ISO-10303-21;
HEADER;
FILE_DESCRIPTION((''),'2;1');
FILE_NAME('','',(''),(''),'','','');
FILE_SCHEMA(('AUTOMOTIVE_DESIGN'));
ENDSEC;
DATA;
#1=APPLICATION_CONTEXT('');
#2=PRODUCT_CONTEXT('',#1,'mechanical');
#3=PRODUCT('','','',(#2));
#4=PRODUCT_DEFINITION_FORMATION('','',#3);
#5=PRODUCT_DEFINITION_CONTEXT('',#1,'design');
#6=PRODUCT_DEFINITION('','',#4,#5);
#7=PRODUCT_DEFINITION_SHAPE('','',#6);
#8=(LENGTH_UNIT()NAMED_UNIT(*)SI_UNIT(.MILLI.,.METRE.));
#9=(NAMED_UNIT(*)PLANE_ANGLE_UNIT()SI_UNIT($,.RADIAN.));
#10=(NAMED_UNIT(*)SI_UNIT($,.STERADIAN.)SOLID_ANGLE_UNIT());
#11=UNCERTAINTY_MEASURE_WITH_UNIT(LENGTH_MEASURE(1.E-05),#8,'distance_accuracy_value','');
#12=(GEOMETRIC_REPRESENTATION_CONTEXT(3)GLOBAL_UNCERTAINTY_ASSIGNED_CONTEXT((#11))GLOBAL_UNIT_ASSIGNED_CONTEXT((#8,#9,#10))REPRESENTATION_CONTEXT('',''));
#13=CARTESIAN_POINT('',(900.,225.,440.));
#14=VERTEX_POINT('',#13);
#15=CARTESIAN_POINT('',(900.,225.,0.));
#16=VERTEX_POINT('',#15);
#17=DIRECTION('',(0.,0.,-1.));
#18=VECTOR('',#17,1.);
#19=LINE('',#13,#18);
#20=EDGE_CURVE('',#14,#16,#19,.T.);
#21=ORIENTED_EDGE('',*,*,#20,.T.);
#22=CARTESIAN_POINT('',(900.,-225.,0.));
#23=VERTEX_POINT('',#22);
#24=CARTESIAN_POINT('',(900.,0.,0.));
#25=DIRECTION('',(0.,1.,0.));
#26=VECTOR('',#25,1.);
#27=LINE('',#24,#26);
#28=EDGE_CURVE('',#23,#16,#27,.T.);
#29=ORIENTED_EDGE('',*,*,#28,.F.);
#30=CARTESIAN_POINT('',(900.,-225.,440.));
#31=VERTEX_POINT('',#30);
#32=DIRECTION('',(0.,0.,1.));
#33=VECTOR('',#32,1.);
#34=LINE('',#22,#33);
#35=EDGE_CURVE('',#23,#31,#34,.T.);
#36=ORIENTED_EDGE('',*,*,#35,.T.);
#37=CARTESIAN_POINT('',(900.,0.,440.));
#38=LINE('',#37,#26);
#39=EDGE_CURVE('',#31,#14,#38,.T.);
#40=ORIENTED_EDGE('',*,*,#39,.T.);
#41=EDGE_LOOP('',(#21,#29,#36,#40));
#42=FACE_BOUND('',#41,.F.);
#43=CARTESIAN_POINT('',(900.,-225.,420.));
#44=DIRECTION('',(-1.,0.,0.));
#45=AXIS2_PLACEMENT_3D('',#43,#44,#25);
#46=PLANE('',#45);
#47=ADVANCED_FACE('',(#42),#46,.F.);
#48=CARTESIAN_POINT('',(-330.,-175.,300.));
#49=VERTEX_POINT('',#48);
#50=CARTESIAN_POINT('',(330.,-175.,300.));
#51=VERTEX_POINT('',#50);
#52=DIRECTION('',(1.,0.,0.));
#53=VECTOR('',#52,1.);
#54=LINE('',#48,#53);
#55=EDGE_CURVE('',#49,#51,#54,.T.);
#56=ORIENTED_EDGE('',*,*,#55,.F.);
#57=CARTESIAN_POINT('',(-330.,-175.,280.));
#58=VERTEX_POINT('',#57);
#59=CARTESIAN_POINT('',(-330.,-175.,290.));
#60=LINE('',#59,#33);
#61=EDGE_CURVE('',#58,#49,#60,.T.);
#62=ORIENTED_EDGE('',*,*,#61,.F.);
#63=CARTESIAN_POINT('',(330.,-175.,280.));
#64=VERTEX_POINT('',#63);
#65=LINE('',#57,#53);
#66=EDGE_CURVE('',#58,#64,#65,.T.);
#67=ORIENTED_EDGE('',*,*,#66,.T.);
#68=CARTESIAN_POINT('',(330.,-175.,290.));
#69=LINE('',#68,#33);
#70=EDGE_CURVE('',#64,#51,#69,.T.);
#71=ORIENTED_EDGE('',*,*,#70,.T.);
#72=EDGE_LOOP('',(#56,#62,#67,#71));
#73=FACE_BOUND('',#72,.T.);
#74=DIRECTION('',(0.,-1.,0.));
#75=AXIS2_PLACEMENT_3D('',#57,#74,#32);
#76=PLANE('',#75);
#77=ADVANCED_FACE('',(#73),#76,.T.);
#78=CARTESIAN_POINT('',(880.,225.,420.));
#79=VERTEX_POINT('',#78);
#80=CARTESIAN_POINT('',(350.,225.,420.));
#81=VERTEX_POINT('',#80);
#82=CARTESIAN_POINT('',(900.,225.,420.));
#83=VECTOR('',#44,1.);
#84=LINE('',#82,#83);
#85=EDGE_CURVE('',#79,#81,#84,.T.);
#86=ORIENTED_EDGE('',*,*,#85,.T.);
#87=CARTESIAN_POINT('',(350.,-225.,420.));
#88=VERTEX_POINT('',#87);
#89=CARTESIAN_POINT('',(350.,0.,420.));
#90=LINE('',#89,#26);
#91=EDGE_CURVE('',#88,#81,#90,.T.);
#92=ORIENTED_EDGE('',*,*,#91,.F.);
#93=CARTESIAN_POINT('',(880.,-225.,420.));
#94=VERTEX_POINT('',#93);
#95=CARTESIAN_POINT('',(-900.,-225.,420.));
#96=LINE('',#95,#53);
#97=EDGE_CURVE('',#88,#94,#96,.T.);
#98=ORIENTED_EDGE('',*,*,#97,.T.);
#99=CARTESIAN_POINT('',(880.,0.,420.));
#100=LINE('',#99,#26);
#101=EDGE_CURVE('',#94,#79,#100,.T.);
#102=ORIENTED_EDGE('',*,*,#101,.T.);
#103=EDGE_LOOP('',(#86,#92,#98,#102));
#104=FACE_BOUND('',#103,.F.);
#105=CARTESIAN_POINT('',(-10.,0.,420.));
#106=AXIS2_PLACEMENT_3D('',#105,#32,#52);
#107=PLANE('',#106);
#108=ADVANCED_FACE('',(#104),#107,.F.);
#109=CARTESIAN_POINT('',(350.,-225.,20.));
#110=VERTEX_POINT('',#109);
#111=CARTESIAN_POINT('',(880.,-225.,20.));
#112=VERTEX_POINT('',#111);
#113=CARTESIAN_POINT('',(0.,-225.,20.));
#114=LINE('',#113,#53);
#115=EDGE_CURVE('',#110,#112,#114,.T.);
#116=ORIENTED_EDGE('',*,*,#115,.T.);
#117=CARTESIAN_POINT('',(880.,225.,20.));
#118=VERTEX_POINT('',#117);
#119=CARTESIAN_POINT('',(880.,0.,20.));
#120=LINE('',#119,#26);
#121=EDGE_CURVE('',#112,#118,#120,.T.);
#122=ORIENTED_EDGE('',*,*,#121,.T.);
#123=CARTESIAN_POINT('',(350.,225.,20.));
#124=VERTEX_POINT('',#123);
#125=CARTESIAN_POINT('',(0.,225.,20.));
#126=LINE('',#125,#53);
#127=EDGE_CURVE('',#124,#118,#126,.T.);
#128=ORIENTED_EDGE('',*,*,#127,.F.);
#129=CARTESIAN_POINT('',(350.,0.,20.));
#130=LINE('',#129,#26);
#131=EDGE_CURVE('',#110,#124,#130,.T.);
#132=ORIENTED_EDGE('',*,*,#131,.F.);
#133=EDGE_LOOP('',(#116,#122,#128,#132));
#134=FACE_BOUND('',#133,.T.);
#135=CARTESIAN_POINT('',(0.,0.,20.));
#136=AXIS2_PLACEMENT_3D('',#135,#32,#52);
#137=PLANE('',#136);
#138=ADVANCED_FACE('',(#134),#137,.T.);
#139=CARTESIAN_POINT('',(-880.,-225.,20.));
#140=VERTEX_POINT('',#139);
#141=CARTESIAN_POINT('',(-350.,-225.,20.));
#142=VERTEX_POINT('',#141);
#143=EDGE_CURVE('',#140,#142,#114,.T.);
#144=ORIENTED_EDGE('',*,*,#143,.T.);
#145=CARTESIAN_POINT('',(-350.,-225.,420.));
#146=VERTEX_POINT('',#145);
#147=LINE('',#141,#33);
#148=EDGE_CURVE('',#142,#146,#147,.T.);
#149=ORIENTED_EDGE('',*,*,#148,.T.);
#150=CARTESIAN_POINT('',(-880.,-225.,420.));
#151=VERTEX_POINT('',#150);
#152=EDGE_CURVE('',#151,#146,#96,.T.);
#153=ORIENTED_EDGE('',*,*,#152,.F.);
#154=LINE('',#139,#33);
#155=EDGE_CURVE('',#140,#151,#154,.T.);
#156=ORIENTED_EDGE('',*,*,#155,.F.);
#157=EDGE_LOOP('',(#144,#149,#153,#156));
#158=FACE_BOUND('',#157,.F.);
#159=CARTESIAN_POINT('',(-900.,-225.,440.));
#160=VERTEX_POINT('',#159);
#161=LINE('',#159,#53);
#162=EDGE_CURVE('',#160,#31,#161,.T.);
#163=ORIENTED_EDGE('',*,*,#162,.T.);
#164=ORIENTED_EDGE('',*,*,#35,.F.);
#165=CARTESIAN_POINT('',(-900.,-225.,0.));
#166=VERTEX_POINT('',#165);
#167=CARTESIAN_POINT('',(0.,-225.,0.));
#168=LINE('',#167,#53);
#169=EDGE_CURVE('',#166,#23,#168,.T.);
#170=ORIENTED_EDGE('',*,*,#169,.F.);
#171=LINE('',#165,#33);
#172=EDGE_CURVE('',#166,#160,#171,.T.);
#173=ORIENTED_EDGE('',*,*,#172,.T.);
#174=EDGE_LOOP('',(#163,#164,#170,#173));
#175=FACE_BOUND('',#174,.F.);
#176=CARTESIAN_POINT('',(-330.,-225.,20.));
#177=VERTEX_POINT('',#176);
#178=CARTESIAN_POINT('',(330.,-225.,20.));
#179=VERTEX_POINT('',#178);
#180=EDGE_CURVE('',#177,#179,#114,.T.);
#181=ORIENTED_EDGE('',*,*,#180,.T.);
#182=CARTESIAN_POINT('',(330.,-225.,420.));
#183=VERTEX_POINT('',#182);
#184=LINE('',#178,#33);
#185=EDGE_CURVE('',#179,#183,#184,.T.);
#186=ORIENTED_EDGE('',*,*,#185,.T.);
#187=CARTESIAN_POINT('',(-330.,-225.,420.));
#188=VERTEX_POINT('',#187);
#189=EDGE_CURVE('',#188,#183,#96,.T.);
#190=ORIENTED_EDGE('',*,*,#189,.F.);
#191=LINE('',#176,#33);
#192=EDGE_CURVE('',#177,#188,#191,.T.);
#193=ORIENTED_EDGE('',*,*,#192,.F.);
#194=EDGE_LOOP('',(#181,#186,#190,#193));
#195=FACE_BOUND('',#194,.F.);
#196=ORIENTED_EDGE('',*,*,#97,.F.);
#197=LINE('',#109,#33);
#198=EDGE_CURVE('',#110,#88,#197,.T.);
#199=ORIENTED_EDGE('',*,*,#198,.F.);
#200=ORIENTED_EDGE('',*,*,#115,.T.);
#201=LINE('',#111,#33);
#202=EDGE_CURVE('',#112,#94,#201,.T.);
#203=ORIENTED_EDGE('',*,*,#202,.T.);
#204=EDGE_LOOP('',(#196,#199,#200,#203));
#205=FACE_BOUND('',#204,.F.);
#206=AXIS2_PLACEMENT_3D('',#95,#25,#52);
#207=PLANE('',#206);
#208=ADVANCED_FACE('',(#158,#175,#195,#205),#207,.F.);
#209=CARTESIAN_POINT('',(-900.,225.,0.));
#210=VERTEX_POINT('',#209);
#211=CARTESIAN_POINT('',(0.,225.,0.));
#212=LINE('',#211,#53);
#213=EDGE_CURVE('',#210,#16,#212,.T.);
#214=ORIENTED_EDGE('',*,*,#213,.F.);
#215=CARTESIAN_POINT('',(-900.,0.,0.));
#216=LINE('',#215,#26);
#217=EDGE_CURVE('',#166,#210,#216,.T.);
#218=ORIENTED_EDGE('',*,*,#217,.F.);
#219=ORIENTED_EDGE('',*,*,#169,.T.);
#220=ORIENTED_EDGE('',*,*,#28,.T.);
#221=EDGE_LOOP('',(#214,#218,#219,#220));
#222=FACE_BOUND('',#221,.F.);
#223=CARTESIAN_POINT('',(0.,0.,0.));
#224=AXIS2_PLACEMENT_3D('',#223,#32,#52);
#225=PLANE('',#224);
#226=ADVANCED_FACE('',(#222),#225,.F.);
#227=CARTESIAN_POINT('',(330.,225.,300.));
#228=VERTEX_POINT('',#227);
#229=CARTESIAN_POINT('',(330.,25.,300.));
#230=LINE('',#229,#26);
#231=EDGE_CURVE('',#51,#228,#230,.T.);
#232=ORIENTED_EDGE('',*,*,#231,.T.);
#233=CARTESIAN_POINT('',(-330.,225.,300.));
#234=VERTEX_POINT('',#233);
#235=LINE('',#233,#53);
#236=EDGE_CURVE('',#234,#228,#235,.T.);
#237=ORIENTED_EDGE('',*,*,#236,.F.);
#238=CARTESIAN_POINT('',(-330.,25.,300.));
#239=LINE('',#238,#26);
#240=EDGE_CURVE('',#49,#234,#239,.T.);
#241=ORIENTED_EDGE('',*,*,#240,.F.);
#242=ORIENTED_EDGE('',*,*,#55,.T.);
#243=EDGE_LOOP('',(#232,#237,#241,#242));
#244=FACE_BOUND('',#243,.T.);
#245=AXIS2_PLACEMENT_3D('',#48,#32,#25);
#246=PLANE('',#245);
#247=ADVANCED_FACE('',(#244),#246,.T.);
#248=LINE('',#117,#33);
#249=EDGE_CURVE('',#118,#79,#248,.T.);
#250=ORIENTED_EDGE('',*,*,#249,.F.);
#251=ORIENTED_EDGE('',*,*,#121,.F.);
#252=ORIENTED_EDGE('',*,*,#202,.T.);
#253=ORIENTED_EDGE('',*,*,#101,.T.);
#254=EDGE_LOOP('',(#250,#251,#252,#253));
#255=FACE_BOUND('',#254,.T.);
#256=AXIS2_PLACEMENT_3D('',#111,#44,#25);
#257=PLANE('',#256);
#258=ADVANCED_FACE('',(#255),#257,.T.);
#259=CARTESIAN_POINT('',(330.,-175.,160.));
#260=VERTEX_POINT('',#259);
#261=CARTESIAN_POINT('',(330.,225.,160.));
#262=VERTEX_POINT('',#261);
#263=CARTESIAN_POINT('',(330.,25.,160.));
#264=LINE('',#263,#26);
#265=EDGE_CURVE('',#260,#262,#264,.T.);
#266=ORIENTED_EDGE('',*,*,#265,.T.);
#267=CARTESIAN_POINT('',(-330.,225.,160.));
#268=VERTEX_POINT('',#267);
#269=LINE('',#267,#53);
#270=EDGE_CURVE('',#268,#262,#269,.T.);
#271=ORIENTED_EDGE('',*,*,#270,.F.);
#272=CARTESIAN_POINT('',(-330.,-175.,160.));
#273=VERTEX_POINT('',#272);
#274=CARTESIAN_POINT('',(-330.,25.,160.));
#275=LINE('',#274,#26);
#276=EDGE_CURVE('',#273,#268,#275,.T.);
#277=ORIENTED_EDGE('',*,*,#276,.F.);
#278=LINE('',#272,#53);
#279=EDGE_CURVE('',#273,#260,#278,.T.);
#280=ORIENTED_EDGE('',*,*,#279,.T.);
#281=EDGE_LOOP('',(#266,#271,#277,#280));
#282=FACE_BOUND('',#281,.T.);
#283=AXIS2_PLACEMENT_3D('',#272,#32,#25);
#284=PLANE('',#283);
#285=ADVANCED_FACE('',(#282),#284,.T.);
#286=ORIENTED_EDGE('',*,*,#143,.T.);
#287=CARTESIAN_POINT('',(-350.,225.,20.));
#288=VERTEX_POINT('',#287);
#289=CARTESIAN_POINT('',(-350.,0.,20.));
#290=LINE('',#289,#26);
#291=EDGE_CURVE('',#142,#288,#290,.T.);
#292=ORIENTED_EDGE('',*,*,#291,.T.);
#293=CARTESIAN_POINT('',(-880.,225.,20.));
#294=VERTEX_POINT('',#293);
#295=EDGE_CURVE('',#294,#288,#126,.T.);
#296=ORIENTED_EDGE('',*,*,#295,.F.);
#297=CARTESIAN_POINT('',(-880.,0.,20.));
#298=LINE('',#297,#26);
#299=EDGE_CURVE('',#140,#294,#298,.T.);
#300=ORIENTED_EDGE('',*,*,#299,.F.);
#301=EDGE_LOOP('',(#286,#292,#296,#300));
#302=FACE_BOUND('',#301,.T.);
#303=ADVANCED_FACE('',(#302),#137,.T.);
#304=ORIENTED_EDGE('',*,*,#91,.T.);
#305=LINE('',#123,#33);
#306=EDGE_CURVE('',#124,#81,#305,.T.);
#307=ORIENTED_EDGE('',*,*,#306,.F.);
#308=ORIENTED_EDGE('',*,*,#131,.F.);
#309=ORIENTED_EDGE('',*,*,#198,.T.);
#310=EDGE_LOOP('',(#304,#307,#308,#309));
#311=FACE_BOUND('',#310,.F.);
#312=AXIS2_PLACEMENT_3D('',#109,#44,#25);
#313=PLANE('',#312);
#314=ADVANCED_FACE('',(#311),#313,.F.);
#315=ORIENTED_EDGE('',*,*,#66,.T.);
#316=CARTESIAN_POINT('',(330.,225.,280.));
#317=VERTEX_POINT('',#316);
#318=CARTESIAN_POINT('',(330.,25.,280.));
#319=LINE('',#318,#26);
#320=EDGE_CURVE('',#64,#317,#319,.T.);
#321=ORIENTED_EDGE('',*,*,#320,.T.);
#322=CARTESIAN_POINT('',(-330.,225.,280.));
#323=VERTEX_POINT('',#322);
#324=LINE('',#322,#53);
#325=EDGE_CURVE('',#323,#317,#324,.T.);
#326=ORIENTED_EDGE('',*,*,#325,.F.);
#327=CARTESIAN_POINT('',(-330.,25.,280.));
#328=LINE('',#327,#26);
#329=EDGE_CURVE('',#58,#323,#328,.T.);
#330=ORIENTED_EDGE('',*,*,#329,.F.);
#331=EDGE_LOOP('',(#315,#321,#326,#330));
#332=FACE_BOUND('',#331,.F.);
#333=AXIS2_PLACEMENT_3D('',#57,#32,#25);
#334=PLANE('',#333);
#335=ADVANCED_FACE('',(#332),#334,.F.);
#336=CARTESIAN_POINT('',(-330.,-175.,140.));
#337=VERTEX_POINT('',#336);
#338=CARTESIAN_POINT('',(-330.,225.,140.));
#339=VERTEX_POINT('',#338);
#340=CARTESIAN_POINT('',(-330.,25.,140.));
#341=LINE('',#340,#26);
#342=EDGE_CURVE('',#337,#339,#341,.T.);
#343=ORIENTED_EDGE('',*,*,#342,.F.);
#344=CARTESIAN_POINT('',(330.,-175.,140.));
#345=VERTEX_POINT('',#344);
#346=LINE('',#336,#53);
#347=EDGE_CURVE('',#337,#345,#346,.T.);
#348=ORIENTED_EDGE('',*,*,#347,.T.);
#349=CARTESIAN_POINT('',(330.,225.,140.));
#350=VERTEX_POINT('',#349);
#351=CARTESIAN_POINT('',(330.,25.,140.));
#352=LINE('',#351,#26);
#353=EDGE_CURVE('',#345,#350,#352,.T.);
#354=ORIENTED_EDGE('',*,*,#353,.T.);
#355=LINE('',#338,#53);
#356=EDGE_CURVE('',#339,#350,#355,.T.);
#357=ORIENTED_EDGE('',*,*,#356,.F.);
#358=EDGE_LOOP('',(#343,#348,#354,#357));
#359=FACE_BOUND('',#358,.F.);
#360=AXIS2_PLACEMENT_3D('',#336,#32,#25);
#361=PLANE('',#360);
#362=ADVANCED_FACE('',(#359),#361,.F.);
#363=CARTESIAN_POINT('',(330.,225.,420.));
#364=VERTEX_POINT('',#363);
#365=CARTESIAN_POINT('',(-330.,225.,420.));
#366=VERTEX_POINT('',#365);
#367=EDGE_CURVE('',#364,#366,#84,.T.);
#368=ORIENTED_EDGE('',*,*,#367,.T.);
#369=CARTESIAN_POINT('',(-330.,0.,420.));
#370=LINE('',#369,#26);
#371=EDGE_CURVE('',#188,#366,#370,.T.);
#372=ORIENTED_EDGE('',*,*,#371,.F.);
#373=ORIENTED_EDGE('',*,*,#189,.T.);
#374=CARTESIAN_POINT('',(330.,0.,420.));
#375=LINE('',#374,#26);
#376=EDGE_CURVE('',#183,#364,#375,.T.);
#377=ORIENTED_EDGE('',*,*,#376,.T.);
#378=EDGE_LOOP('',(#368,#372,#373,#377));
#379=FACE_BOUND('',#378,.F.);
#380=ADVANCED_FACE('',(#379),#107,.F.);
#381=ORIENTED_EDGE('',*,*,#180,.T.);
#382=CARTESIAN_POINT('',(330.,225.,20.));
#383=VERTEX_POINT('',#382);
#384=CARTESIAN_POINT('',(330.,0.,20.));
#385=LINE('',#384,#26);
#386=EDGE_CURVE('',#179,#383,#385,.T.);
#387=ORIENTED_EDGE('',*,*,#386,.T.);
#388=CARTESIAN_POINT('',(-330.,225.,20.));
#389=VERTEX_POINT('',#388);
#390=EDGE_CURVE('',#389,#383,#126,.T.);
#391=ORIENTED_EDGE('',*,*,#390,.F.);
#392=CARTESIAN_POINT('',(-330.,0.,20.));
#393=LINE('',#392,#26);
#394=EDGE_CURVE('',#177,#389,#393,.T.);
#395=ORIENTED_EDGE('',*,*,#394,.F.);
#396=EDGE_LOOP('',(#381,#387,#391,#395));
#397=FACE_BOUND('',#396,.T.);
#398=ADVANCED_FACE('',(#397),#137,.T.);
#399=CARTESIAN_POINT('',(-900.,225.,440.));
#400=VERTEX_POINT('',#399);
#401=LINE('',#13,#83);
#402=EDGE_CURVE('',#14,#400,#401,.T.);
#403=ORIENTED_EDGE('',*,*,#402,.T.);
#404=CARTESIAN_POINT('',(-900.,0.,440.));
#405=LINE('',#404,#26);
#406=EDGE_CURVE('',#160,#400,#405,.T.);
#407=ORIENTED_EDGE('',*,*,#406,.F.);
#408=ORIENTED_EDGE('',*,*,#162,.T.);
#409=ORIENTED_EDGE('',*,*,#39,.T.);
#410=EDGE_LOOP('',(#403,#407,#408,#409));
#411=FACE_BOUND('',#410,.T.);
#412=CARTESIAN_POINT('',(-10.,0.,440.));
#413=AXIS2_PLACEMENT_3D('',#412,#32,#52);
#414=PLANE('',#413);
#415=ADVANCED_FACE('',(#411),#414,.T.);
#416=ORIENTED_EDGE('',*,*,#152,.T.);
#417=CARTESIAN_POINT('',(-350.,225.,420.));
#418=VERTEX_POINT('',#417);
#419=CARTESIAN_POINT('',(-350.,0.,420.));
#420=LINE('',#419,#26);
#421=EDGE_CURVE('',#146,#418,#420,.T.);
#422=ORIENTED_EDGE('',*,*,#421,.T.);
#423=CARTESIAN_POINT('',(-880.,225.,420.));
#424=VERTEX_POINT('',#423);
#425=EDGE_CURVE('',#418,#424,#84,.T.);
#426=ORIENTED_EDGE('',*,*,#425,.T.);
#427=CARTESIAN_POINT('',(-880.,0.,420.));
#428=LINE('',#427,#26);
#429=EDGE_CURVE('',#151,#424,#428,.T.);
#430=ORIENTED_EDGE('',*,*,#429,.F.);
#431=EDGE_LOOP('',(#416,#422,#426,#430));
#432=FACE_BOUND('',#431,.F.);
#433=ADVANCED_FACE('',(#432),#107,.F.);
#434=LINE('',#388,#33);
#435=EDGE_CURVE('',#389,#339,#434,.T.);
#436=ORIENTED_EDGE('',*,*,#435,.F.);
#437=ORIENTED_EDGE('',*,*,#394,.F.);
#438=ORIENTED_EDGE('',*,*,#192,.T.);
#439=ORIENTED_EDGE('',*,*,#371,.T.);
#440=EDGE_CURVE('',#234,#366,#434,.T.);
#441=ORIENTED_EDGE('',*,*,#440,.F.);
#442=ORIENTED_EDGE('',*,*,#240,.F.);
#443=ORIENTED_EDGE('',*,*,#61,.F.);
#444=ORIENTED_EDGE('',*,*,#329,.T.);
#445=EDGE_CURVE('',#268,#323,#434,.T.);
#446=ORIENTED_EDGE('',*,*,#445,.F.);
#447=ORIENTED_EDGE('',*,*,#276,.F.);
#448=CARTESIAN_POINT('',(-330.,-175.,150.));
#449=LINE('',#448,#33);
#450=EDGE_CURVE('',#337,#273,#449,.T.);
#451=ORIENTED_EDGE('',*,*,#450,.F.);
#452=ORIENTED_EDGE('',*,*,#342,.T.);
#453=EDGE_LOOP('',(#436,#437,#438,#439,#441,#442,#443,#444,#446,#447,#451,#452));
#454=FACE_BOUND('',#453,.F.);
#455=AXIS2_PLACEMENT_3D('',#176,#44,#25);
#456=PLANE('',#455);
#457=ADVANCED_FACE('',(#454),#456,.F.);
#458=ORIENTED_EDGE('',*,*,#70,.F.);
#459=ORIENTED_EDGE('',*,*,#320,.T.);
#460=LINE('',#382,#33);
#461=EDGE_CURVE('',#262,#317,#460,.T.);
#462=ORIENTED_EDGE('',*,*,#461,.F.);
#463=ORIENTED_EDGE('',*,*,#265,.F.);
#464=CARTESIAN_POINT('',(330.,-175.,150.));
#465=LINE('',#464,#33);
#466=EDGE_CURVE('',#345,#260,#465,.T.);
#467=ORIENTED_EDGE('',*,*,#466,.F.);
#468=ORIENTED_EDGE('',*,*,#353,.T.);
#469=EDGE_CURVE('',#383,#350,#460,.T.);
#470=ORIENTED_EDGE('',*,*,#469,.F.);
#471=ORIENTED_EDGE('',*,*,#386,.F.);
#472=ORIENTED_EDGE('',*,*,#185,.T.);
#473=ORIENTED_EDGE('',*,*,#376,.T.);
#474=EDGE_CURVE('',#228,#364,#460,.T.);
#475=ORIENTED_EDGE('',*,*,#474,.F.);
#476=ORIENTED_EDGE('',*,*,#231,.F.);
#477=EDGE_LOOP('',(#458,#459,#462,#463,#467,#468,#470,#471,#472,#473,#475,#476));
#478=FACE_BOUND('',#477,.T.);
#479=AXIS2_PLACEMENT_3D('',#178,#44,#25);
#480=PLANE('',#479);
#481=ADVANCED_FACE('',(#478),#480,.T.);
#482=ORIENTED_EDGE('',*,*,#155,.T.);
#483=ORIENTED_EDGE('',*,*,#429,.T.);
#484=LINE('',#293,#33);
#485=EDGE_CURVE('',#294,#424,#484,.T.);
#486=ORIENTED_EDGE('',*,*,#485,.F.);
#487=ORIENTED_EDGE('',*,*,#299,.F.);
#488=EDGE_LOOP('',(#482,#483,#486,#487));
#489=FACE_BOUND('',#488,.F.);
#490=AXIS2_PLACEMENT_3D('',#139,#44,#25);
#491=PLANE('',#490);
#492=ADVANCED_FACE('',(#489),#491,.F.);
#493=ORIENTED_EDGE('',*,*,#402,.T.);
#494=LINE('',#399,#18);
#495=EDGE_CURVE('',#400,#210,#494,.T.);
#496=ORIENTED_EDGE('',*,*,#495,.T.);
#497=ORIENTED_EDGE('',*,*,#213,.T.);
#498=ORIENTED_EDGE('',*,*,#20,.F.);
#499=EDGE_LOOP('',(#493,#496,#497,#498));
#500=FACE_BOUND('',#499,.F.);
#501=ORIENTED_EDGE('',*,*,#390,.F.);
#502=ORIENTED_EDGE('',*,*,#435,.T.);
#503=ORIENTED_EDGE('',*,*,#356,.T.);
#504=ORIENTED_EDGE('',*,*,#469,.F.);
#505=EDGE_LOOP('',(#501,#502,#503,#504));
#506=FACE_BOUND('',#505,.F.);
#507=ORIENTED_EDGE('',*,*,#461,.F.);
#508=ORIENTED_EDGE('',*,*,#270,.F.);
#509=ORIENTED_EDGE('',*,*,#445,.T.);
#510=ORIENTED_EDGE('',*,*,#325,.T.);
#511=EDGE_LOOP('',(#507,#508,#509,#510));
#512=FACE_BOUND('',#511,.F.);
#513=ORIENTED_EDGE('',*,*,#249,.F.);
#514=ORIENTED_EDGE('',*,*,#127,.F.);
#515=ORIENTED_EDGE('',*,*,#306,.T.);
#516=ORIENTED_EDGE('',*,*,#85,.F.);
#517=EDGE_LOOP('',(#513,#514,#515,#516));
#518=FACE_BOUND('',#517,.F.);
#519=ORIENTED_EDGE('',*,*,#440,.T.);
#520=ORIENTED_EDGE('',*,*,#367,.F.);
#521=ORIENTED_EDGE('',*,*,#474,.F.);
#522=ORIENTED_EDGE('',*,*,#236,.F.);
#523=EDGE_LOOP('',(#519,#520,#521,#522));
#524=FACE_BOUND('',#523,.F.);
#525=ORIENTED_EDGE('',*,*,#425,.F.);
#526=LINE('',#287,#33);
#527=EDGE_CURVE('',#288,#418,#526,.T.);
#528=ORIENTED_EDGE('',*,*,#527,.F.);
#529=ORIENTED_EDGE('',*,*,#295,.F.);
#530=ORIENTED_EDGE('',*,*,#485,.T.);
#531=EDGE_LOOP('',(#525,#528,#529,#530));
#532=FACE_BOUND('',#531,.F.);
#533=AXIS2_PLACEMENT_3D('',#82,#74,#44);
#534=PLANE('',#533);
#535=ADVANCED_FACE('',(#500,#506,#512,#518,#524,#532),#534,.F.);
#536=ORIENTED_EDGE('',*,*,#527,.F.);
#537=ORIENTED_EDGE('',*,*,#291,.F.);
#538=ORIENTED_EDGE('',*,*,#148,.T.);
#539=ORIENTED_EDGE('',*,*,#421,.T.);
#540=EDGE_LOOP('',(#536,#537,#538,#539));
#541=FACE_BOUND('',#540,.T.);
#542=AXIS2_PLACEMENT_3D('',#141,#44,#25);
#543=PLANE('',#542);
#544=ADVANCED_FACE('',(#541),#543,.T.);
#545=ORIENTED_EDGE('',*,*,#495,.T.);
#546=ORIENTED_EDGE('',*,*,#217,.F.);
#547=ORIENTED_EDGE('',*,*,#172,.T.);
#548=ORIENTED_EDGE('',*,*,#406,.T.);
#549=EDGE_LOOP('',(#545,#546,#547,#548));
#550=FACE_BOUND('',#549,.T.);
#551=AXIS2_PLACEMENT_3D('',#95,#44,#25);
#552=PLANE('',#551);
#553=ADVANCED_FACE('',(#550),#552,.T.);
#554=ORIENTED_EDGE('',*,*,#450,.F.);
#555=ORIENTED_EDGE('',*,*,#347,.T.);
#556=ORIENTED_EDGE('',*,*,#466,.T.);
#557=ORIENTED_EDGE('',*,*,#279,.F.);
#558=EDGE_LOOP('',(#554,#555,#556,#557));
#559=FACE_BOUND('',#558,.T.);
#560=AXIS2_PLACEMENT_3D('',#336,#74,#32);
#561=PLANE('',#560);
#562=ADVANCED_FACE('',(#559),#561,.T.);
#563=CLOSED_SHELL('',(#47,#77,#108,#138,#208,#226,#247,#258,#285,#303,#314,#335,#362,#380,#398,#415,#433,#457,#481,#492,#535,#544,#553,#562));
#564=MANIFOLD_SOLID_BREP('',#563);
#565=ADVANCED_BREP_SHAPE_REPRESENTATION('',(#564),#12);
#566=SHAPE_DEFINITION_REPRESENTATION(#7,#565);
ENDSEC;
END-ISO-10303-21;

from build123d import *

# Parameters (mm, degrees)
F0_W     = 1800
F0_H     = 450
F1_DEPTH = 20
F2_W     = 20
F2_H     = 450
F3_DEPTH = 400
F4_W     = 1780
F4_H     = 450
F4_W_2   = 20
F5_DEPTH = 20
F6_W     = 400
F6_H     = 20
F7_DEPTH = 660


with BuildPart() as f1:
    # F0 (on Top) → F1 (new body)
    with BuildSketch(Plane.XY):
        Rectangle(F0_W, F0_H)
    extrude(amount=F1_DEPTH)

    # F2 (on face) → F3 (join)
    with BuildSketch(Plane.XY.offset(20)):
        with Locations((-890, 0)):
            Rectangle(F2_W, F2_H)
        with Locations((890, 0)):
            Rectangle(F2_W, F2_H)
        with Locations((340, 0)):
            Rectangle(F2_W, F2_H)
        with Locations((-340, 0)):
            Rectangle(F2_W, F2_H)
    extrude(amount=F3_DEPTH)

    # F4 (on face) → F5 (join)
    with BuildSketch(Plane.XY.offset(420)):
        with Locations((-10, 0)):
            Rectangle(F4_W, F4_H)
        with Locations((890, 0)):
            Rectangle(F4_W_2, F4_H)
    extrude(amount=F5_DEPTH)

    # F6 (on face) → F7 (join)
    with BuildSketch(Plane.YZ.offset(-330)):
        with Locations((25, 150)):
            Rectangle(F6_W, F6_H)
        with Locations((25, 290)):
            Rectangle(F6_W, F6_H)
    extrude(amount=F7_DEPTH)


solid = f1.part
